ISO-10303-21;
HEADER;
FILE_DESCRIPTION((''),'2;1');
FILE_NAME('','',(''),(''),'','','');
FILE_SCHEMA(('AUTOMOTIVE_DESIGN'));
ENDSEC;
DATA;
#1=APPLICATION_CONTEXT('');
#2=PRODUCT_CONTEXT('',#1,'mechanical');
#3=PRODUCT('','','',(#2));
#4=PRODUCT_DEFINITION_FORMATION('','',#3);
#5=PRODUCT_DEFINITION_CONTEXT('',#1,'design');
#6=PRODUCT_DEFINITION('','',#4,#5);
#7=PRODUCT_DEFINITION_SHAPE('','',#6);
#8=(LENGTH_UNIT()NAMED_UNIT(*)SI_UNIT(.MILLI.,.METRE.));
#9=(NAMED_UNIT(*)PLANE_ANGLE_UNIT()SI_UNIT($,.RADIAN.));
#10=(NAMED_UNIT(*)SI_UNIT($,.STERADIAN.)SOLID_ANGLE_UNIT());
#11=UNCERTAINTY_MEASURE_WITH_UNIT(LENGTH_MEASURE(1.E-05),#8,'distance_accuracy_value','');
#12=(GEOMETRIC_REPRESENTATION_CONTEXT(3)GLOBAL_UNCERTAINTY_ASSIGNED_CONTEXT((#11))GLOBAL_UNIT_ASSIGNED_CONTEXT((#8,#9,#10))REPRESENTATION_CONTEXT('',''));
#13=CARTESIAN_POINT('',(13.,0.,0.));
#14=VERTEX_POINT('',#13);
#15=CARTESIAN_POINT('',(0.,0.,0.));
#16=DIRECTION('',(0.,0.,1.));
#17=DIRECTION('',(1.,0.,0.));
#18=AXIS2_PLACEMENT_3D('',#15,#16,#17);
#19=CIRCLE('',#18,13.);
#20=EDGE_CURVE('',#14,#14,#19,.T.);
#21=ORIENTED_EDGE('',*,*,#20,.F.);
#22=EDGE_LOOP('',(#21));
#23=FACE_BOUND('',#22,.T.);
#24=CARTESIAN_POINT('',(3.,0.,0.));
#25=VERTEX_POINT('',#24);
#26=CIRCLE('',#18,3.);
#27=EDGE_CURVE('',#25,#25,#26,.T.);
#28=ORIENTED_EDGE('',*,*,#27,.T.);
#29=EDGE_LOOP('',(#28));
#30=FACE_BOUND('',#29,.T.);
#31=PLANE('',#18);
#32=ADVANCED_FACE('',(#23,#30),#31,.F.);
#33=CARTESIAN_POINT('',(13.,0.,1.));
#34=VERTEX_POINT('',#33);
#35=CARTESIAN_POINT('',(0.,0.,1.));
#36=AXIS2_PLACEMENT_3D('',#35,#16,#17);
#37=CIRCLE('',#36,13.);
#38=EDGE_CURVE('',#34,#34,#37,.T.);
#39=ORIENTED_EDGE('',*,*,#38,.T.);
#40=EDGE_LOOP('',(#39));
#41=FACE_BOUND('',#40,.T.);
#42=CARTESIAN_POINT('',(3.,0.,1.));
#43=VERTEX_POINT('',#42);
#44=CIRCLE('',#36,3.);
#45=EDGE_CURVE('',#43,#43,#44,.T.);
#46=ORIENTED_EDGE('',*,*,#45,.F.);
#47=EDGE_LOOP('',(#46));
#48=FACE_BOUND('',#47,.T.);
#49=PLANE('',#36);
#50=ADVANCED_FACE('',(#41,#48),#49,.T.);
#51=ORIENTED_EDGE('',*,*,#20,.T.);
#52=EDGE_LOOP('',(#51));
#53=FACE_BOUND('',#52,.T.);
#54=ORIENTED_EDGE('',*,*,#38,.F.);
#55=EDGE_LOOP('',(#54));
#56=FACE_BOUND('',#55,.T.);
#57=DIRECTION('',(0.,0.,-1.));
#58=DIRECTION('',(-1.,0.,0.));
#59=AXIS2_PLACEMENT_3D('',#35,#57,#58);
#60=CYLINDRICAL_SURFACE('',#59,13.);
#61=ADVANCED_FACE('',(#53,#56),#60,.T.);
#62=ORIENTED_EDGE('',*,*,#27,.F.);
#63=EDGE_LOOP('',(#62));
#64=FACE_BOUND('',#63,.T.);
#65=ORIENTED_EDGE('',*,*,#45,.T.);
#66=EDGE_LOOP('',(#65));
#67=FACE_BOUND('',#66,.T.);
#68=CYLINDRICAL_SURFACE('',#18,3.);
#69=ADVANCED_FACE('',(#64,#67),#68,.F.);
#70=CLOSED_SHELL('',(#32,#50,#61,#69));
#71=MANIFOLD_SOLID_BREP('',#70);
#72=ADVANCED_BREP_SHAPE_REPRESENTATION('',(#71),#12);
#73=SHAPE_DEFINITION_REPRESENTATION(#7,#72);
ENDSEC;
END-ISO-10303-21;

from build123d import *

# Parameters (mm, degrees)
SKETCH_1_R          = 13
EXTRUDE_1_DEPTH     = 1
SKETCH_2_R          = 3
CUT_EXTRUDE_1_DEPTH = 1


with BuildPart() as part:
    # 草图1 → 凸台-拉伸1 (new body)
    with BuildSketch(Plane.XY):
        Circle(SKETCH_1_R)
    extrude(amount=EXTRUDE_1_DEPTH)

    # 草图2 → 切除-拉伸1 (cut)
    with BuildSketch(Plane.XY.offset(1)):
        Circle(SKETCH_2_R)
    extrude(amount=-CUT_EXTRUDE_1_DEPTH, mode=Mode.SUBTRACT)


solid = part.part
